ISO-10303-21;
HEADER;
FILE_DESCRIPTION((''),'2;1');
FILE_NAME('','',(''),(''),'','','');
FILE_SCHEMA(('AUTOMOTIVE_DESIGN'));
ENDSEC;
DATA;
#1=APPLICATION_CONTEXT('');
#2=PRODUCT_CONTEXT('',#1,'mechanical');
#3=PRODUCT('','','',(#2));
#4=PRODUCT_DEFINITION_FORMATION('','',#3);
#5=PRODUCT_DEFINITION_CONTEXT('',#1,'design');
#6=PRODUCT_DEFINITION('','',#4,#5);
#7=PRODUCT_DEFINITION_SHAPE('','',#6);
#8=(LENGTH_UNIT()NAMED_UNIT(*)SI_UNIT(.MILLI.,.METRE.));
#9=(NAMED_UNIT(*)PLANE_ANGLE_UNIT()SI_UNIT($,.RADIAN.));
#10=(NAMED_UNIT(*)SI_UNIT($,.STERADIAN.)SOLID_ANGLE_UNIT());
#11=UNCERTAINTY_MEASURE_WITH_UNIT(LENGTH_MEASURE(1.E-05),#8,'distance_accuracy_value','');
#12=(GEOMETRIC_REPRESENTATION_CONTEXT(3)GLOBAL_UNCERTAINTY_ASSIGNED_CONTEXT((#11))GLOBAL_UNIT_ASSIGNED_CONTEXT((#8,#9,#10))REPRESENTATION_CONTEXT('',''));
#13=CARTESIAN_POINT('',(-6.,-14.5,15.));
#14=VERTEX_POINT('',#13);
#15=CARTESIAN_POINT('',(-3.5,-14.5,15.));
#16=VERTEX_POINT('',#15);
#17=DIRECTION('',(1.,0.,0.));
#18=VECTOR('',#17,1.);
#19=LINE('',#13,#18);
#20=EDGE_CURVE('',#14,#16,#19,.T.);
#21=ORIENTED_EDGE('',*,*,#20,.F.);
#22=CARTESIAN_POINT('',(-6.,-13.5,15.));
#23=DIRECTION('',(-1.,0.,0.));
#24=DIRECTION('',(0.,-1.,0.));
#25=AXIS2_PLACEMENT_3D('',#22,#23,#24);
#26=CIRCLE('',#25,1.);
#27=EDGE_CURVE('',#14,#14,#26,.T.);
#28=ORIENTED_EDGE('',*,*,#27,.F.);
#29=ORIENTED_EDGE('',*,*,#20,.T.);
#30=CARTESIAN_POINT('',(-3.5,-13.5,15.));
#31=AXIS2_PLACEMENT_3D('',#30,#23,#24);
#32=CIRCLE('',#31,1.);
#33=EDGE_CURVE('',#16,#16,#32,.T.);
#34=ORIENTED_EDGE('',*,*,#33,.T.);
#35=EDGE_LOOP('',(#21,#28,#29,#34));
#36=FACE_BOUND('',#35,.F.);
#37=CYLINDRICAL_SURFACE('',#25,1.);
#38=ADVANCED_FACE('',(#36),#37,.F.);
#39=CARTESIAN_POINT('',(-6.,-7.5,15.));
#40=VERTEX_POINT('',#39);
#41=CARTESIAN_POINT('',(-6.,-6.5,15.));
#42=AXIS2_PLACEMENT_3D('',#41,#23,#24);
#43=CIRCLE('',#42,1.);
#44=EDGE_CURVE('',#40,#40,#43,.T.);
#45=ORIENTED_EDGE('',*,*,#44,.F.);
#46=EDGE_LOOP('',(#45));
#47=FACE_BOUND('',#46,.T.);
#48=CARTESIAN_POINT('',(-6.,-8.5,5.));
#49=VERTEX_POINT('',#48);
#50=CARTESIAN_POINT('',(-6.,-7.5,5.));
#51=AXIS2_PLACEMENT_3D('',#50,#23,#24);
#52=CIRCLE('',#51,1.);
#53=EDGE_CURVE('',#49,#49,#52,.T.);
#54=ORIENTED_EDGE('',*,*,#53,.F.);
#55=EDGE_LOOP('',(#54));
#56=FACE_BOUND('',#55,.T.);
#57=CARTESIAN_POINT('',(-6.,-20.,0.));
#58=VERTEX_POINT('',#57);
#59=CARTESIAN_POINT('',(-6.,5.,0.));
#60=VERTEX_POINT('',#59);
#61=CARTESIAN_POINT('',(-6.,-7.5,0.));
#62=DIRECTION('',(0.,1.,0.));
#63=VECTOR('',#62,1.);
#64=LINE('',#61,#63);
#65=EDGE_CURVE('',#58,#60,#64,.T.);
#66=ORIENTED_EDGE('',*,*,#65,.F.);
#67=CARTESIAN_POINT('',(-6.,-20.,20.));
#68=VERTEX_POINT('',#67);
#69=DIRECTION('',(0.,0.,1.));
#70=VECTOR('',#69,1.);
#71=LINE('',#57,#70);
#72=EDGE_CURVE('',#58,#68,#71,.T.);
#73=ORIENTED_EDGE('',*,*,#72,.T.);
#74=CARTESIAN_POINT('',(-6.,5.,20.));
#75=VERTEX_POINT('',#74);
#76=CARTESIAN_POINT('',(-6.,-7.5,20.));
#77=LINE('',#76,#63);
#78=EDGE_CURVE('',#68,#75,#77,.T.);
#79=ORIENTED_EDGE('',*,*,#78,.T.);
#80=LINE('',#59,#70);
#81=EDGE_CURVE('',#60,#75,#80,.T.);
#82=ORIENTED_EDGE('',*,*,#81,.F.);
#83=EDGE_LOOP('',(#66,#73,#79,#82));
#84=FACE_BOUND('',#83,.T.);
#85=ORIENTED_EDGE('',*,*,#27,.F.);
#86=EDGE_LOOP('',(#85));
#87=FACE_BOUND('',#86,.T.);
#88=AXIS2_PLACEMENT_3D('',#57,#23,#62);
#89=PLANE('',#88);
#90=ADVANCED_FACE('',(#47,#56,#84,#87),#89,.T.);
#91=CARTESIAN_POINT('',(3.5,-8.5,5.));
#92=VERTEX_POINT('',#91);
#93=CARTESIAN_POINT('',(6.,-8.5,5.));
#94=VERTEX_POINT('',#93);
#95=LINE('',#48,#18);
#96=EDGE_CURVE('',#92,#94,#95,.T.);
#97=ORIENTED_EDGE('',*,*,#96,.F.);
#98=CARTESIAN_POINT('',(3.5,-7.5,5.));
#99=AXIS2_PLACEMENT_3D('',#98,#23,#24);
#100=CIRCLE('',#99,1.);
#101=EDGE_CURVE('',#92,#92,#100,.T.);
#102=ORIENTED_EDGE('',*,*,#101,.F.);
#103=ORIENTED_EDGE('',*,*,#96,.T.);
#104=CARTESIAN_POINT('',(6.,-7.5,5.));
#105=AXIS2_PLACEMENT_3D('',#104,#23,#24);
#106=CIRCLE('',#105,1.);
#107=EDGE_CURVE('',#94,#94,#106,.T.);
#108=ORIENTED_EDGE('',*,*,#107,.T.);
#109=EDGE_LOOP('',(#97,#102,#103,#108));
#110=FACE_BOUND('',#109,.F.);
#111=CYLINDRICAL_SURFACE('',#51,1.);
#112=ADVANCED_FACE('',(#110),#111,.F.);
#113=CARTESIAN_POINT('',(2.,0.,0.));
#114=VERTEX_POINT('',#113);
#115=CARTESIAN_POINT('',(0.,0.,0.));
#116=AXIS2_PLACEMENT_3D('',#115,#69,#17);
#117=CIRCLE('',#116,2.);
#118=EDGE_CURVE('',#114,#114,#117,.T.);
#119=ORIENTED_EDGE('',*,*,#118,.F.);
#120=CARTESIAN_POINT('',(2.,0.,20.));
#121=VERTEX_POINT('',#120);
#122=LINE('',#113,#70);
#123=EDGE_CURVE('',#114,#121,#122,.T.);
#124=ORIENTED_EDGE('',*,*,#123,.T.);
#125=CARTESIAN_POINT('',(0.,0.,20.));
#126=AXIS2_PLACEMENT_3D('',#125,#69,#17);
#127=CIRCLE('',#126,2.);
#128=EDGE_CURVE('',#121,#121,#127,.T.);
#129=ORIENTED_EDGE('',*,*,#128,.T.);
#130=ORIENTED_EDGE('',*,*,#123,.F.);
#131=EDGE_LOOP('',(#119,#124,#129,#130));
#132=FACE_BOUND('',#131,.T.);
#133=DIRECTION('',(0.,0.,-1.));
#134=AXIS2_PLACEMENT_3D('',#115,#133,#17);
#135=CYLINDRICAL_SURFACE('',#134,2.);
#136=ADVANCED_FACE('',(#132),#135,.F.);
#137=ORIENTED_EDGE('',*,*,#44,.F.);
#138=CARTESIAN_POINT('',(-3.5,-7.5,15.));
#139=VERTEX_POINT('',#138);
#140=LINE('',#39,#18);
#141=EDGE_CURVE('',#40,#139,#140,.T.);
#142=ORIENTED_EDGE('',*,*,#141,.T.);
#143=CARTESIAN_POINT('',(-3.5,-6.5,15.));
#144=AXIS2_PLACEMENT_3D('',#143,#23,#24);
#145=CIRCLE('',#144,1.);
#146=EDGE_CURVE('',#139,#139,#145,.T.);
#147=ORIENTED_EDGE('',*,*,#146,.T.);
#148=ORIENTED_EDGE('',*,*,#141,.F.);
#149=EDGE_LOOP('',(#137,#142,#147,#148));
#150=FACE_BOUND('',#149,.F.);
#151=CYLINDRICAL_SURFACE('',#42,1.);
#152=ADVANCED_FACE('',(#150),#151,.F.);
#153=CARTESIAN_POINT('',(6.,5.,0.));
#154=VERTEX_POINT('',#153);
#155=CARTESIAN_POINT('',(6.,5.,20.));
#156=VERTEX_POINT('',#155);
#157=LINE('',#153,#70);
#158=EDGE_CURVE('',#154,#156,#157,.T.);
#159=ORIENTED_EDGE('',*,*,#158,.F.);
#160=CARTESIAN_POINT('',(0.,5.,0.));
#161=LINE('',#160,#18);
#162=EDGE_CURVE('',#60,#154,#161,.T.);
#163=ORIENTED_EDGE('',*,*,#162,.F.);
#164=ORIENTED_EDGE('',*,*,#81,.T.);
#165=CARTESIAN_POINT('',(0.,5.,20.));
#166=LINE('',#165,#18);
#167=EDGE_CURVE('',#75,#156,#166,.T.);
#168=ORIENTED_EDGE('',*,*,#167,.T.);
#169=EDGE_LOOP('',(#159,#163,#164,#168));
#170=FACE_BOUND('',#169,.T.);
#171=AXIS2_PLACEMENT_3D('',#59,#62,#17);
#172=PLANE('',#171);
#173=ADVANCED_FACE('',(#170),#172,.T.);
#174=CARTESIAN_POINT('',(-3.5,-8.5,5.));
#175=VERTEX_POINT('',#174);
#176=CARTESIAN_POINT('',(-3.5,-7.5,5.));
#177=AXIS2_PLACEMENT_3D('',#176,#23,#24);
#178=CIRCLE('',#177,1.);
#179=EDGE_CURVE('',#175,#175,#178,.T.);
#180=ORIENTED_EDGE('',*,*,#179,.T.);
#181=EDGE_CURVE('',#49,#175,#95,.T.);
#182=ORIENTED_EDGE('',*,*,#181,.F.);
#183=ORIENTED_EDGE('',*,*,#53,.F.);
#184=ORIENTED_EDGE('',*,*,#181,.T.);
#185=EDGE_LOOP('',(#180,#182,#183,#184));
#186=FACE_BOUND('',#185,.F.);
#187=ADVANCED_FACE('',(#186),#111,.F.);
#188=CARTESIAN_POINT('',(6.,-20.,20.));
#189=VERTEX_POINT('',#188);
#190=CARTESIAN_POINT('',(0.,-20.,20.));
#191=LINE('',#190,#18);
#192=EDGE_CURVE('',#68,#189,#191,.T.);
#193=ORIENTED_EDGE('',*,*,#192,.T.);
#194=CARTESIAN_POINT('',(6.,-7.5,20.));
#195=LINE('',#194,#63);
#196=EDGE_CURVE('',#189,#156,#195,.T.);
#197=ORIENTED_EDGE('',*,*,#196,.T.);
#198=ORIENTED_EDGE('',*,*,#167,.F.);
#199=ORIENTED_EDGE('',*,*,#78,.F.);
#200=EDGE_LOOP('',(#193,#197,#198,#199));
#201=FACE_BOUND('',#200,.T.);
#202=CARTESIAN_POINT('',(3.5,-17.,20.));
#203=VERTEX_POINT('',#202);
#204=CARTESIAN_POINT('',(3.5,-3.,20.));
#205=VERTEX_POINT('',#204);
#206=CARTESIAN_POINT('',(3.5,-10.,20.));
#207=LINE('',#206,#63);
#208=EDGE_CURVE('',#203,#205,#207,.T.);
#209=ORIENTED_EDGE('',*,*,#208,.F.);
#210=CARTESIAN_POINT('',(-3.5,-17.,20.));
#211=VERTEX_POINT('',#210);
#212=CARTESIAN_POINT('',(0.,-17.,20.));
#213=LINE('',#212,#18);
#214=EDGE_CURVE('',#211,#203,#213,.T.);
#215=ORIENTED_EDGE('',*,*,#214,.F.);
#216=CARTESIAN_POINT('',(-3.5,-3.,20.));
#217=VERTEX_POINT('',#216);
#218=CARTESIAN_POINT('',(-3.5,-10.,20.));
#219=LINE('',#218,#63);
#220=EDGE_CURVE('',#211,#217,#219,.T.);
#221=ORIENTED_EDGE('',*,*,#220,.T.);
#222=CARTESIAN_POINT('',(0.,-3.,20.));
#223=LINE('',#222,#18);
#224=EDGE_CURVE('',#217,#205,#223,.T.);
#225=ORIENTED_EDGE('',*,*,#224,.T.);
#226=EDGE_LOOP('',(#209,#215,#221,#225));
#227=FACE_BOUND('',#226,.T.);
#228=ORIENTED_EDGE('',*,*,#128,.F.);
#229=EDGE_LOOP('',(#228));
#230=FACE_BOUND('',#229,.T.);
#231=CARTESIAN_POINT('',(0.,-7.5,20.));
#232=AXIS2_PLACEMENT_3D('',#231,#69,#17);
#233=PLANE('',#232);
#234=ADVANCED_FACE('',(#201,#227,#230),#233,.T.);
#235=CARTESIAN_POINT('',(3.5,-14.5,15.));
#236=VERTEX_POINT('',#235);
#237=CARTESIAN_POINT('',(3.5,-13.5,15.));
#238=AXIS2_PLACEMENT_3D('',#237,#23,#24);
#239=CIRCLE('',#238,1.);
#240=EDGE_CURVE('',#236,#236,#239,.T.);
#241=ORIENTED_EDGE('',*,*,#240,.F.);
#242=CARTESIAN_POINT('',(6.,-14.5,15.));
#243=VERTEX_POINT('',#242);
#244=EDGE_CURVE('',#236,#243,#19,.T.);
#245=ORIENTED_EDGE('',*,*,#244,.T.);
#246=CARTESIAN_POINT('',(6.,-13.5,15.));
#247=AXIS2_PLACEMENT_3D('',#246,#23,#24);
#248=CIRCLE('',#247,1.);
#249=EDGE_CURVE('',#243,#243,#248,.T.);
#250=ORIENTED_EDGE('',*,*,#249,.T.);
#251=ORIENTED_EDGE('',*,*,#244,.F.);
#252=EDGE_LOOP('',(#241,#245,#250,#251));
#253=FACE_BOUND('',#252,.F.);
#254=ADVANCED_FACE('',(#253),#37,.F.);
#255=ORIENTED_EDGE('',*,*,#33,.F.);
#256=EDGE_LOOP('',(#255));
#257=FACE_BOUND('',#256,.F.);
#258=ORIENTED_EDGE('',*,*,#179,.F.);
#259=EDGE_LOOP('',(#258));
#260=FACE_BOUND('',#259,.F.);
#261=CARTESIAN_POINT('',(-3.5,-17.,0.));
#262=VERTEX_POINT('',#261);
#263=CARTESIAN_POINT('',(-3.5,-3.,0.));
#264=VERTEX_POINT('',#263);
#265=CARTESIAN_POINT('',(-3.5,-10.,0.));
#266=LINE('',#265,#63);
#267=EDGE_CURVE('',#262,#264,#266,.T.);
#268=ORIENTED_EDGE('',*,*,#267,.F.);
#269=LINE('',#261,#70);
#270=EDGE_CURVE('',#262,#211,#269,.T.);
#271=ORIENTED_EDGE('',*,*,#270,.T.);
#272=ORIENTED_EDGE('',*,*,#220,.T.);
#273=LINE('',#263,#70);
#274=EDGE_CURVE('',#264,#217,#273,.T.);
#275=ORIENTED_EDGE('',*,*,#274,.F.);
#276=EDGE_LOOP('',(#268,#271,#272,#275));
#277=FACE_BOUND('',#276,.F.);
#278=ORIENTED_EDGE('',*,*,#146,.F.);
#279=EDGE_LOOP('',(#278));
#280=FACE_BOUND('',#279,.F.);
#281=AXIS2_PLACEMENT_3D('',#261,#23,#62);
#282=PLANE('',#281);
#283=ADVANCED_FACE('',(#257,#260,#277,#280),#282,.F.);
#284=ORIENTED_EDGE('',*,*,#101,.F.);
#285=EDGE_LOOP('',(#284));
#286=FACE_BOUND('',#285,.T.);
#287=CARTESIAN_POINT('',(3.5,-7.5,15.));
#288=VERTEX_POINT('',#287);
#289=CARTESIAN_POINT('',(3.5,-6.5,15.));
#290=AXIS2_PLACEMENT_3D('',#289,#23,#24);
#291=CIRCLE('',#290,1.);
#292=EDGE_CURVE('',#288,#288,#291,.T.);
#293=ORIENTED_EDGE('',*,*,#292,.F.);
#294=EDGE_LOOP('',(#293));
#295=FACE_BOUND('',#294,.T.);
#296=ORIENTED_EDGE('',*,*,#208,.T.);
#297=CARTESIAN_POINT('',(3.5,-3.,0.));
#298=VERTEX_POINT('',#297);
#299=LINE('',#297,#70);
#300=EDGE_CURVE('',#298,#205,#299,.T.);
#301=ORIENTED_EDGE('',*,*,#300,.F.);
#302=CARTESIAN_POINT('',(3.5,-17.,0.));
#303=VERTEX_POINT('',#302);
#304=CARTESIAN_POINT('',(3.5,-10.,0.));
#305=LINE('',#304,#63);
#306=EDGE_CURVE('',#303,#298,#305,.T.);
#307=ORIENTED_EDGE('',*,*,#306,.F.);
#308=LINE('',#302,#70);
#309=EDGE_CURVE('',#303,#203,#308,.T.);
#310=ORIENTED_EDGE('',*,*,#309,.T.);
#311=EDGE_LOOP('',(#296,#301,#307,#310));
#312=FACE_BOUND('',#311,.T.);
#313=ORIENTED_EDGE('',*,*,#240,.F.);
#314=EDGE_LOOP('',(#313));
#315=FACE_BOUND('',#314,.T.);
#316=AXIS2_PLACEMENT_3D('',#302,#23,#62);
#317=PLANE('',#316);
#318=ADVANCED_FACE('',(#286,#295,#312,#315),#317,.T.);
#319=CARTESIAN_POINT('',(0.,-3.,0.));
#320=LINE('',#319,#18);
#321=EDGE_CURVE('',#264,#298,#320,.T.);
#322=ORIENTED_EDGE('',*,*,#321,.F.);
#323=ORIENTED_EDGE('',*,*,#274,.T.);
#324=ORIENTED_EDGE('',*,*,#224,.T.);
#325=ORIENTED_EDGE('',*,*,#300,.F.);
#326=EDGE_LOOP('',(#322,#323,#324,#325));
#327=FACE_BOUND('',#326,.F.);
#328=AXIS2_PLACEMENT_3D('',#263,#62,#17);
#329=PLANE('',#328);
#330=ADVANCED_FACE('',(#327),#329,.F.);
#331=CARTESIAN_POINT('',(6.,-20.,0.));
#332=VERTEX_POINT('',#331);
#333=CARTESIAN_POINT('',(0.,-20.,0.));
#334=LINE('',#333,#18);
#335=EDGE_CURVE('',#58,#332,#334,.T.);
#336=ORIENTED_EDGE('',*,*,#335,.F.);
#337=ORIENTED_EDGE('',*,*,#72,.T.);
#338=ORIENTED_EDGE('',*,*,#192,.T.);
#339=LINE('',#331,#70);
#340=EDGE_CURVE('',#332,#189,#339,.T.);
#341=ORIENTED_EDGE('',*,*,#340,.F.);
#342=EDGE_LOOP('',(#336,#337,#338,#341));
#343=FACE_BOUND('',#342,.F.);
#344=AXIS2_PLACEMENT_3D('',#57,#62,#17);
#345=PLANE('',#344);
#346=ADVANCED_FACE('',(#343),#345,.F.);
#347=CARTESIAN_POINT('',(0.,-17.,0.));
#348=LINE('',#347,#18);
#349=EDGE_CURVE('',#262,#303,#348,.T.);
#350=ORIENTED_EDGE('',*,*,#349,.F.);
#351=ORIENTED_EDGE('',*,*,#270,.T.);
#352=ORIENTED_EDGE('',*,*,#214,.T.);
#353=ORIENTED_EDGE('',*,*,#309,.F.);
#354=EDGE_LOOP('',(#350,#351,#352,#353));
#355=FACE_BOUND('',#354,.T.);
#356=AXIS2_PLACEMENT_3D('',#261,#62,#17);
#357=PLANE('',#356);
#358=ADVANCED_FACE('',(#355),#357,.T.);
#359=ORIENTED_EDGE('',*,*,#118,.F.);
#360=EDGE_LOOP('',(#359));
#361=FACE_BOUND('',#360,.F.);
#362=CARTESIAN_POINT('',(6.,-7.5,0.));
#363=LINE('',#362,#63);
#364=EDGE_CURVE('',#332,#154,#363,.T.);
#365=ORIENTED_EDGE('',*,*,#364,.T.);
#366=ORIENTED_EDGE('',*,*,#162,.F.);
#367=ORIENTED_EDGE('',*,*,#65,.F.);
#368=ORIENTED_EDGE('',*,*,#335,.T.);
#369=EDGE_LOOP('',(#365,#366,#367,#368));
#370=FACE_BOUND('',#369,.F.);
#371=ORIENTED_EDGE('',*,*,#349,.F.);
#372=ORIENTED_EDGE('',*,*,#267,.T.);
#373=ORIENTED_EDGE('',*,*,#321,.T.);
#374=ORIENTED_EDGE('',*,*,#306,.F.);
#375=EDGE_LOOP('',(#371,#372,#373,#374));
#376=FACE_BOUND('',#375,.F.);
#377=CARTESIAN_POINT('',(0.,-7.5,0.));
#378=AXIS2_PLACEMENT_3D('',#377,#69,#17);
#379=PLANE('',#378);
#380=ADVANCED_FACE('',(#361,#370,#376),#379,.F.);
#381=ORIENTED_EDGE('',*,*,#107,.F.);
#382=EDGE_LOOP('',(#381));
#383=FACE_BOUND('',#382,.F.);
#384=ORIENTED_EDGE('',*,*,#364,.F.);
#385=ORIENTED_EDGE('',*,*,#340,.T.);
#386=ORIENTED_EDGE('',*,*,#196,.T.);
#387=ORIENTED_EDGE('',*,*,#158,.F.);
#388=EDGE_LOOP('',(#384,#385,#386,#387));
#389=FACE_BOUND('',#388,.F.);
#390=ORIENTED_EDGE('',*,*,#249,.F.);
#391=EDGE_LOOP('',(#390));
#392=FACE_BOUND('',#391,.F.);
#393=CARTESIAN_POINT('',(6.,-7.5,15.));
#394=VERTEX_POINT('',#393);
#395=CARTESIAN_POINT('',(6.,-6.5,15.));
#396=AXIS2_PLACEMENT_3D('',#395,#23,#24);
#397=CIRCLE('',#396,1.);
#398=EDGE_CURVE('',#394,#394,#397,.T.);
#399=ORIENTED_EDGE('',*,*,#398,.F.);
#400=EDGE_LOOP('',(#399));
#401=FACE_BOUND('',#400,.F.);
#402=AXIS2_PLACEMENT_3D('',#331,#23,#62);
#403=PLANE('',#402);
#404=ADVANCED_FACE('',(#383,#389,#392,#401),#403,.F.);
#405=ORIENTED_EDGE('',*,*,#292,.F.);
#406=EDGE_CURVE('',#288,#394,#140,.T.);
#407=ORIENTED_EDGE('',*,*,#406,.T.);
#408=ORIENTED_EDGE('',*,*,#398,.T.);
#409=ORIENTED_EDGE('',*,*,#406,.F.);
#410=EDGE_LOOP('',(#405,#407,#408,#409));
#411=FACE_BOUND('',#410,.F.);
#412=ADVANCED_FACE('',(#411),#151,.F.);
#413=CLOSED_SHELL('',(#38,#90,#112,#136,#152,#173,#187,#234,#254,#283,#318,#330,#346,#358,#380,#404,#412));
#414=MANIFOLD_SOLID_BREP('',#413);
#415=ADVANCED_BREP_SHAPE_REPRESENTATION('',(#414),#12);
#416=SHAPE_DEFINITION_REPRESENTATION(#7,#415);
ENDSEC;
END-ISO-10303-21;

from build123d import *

# Parameters (mm, degrees)
F0_W     = 12
F0_H     = 25
F0_W_2   = 7
F0_H_2   = 14
F0_R     = 2
F1_DEPTH = 20
F2_R     = 1
F3_DEPTH = 12.001


with BuildPart() as f1:
    # F0 (on Top) → F1 (new body)
    with BuildSketch(Plane.XY):
        with Locations((0, -7.5)):
            Rectangle(F0_W, F0_H)
        with Locations((0, -10)):
            Rectangle(F0_W_2, F0_H_2, mode=Mode.SUBTRACT)
        Circle(F0_R, mode=Mode.SUBTRACT)
    extrude(amount=F1_DEPTH)

    # F2 (on face) → F3 (cut, through all)
    with BuildSketch(Plane(origin=(-6, 0, 0), x_dir=(0, -1, 0), z_dir=(-1, 0, 0))):
        with Locations((13.5, 15)):
            Circle(F2_R)
        with Locations((6.5, 15)):
            Circle(F2_R)
        with Locations((7.5, 5)):
            Circle(F2_R)
    extrude(amount=-F3_DEPTH, mode=Mode.SUBTRACT)


solid = f1.part
